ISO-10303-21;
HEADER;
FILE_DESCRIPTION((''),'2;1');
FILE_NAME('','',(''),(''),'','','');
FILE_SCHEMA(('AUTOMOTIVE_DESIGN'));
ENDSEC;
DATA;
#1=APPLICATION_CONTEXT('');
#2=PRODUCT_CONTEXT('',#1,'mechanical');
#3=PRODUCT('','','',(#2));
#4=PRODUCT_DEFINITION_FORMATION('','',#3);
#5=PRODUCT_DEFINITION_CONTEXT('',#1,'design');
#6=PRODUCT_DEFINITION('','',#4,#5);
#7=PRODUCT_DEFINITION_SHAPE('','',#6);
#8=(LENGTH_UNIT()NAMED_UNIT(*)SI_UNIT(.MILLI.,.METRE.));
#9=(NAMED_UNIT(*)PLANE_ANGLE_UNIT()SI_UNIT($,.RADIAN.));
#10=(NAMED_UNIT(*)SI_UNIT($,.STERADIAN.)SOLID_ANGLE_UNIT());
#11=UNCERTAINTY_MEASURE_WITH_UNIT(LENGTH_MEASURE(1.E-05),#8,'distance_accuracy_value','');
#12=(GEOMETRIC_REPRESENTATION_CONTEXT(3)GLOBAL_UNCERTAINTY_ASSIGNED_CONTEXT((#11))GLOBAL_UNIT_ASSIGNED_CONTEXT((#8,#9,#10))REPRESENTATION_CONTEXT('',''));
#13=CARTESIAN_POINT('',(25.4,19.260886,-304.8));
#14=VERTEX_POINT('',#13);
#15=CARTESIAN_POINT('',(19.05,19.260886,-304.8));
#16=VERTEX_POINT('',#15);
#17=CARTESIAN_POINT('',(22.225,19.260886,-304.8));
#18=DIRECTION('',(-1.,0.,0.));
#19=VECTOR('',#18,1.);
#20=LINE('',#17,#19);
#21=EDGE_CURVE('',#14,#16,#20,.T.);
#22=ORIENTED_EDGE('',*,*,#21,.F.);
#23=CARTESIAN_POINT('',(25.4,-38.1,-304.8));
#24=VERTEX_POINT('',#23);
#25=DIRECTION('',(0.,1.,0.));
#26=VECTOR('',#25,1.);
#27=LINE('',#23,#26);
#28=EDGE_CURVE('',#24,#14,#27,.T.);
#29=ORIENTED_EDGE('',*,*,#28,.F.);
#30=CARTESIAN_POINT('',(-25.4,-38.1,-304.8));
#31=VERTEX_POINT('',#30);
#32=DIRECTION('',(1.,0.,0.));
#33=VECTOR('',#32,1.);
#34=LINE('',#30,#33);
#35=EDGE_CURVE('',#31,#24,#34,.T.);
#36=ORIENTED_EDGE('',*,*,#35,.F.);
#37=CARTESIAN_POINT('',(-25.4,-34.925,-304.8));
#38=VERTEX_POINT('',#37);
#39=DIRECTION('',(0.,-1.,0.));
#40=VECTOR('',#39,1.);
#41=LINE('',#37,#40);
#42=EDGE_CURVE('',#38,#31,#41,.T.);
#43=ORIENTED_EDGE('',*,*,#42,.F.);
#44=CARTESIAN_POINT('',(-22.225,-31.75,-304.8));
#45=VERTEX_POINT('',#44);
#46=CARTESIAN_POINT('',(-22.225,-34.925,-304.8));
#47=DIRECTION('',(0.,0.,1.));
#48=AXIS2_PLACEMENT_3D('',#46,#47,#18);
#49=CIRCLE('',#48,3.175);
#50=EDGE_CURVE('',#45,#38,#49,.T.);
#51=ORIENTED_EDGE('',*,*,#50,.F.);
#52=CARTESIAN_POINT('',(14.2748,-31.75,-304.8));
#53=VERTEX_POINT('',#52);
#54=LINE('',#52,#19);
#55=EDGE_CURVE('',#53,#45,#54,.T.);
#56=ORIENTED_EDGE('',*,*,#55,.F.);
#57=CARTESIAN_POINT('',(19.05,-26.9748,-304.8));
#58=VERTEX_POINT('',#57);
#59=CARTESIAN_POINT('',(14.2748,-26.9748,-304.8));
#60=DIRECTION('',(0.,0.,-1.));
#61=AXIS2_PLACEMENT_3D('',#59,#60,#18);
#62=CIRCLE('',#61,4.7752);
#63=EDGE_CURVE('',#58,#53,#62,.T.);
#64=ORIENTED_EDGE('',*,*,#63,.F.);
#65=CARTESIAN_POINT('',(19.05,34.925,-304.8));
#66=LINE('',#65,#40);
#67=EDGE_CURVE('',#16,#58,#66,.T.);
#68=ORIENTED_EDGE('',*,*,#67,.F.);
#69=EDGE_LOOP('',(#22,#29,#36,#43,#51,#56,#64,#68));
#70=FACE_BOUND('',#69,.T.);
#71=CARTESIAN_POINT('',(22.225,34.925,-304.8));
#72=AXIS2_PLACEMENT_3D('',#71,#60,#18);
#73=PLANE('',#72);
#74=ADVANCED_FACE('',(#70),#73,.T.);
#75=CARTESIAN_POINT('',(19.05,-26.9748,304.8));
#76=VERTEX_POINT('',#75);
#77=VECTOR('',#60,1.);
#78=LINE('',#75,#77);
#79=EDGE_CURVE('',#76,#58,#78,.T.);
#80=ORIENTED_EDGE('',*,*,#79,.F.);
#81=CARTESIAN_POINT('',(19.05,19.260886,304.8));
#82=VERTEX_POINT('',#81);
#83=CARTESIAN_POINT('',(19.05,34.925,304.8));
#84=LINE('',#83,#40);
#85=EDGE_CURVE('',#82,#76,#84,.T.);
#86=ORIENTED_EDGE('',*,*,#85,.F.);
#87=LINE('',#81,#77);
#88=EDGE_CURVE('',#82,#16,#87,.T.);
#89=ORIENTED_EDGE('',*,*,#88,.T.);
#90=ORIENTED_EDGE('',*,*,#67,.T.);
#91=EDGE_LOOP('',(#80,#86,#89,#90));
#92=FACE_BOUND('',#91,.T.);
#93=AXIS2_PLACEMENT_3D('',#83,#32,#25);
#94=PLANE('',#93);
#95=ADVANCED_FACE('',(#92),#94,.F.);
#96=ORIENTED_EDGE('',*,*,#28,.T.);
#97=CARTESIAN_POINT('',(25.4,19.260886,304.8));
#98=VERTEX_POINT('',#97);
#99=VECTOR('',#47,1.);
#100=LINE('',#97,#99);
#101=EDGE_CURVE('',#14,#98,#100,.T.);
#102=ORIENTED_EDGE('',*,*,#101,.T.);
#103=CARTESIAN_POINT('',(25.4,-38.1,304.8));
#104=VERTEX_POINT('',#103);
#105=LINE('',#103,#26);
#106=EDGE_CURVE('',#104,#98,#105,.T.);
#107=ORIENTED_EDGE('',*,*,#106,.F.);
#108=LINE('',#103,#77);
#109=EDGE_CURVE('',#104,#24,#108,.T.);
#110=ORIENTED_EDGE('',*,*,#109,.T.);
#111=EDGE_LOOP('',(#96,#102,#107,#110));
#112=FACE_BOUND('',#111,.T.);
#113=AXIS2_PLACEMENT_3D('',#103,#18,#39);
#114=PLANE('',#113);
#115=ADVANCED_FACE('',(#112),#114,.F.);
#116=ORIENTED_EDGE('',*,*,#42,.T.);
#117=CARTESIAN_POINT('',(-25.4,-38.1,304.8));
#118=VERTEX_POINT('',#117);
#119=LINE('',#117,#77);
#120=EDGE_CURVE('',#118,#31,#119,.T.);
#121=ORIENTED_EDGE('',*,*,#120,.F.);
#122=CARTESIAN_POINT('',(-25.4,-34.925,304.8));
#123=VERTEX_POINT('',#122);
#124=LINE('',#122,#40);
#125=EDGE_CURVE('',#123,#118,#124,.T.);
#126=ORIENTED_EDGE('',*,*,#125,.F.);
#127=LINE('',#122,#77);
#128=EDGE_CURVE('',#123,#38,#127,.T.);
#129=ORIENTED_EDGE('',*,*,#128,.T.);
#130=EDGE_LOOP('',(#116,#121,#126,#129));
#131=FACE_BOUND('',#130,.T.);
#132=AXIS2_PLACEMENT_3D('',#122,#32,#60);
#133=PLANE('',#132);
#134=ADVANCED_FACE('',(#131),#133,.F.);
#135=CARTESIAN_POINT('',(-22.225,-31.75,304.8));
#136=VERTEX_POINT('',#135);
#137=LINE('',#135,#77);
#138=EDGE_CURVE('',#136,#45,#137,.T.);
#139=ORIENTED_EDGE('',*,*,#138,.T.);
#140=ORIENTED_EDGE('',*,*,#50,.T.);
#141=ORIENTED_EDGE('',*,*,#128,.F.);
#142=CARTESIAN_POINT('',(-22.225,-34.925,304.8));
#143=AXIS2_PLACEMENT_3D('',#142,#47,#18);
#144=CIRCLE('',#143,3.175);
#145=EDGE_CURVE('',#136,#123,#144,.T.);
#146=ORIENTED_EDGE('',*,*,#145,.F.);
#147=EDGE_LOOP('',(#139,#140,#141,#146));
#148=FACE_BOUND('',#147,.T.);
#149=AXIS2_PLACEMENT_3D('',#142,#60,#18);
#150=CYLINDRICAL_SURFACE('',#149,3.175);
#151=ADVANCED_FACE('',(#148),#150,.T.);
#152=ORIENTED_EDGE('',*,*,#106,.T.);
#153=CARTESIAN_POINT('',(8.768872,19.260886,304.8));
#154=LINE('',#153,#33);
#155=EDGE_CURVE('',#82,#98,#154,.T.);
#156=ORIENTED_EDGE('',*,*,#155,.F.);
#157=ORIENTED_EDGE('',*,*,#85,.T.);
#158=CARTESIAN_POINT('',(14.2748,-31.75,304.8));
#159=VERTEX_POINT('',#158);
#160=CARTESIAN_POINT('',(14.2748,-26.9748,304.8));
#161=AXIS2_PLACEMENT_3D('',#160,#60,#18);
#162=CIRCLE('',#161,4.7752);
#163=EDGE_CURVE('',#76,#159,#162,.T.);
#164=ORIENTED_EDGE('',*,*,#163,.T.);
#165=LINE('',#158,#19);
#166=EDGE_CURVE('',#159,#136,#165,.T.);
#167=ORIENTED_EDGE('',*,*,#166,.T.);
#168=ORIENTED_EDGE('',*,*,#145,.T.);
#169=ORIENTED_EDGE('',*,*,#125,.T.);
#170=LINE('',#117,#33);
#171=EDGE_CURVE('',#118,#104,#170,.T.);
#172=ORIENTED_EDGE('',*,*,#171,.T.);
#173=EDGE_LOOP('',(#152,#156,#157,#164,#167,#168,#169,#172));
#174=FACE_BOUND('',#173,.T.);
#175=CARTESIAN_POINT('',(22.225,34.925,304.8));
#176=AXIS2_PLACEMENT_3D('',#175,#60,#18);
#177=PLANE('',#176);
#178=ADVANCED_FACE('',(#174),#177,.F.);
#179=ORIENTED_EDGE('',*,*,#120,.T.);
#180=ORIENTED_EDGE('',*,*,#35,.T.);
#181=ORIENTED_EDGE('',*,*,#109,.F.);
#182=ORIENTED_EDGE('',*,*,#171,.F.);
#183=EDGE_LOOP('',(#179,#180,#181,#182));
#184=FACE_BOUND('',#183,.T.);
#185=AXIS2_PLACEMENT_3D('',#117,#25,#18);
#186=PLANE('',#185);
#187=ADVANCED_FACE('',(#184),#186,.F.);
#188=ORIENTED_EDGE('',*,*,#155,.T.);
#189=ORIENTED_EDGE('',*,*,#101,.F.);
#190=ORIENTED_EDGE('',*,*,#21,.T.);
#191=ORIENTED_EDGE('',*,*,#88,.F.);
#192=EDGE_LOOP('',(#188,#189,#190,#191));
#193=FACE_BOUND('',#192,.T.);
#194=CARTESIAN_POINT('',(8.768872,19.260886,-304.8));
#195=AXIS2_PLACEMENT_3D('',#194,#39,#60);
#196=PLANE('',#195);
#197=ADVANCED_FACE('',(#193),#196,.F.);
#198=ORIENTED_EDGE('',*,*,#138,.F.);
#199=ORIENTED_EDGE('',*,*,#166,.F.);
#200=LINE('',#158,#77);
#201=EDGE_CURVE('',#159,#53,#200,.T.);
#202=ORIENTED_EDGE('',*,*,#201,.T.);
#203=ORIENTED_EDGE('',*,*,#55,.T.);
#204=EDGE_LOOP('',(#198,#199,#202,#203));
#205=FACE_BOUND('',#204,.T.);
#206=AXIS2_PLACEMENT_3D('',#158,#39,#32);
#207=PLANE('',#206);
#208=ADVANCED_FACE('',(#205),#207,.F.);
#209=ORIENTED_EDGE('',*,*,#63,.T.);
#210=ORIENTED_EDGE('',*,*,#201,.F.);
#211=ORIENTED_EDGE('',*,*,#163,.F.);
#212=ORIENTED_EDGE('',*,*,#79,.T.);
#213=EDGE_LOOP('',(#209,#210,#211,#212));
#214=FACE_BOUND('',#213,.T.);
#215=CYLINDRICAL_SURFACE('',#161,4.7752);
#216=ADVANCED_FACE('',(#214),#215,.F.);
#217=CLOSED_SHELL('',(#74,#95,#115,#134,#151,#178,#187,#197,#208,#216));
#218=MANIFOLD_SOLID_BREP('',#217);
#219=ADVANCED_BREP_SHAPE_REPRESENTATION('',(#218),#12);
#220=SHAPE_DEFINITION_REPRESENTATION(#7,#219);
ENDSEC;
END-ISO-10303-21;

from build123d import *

# Parameters (mm, degrees)
BOSS_EXTRUDE1_DEPTH = 304.8
SKETCH3_W           = 30.020943331
SKETCH3_H           = 21.596699029
CUT_EXTRUDE1_DEPTH  = 612.317372565


with BuildPart() as part:
    # Sketch2 → Boss-Extrude1 (new, symmetric)
    with BuildSketch(Plane.XY):
        with BuildLine():
            Line((-25.4, -38.1), (25.4, -38.1))
            Line((25.4, -38.1), (25.4, 38.1))
            Line((25.4, 38.1), (22.225, 38.1))
            ThreePointArc((22.225, 38.1), (19.97993597, 37.17006403), (19.05, 34.925))
            Line((19.05, 34.925), (19.05, -26.9748))
            ThreePointArc((19.05, -26.9748), (17.651376302, -30.351376302), (14.2748, -31.75))
            Line((14.2748, -31.75), (-22.225, -31.75))
            ThreePointArc((-22.225, -31.75), (-24.47006403, -32.67993597), (-25.4, -34.925))
            Line((-25.4, -34.925), (-25.4, -38.1))
        make_face()
    extrude(amount=BOSS_EXTRUDE1_DEPTH, both=True)

    # Sketch3 → Cut-Extrude1 (cut, through all)
    with BuildSketch(Plane.XY.offset(304.8)):
        with Locations((23.779344144, 30.05923535)):
            Rectangle(SKETCH3_W, SKETCH3_H)
    extrude(amount=-CUT_EXTRUDE1_DEPTH, mode=Mode.SUBTRACT)


solid = part.part
